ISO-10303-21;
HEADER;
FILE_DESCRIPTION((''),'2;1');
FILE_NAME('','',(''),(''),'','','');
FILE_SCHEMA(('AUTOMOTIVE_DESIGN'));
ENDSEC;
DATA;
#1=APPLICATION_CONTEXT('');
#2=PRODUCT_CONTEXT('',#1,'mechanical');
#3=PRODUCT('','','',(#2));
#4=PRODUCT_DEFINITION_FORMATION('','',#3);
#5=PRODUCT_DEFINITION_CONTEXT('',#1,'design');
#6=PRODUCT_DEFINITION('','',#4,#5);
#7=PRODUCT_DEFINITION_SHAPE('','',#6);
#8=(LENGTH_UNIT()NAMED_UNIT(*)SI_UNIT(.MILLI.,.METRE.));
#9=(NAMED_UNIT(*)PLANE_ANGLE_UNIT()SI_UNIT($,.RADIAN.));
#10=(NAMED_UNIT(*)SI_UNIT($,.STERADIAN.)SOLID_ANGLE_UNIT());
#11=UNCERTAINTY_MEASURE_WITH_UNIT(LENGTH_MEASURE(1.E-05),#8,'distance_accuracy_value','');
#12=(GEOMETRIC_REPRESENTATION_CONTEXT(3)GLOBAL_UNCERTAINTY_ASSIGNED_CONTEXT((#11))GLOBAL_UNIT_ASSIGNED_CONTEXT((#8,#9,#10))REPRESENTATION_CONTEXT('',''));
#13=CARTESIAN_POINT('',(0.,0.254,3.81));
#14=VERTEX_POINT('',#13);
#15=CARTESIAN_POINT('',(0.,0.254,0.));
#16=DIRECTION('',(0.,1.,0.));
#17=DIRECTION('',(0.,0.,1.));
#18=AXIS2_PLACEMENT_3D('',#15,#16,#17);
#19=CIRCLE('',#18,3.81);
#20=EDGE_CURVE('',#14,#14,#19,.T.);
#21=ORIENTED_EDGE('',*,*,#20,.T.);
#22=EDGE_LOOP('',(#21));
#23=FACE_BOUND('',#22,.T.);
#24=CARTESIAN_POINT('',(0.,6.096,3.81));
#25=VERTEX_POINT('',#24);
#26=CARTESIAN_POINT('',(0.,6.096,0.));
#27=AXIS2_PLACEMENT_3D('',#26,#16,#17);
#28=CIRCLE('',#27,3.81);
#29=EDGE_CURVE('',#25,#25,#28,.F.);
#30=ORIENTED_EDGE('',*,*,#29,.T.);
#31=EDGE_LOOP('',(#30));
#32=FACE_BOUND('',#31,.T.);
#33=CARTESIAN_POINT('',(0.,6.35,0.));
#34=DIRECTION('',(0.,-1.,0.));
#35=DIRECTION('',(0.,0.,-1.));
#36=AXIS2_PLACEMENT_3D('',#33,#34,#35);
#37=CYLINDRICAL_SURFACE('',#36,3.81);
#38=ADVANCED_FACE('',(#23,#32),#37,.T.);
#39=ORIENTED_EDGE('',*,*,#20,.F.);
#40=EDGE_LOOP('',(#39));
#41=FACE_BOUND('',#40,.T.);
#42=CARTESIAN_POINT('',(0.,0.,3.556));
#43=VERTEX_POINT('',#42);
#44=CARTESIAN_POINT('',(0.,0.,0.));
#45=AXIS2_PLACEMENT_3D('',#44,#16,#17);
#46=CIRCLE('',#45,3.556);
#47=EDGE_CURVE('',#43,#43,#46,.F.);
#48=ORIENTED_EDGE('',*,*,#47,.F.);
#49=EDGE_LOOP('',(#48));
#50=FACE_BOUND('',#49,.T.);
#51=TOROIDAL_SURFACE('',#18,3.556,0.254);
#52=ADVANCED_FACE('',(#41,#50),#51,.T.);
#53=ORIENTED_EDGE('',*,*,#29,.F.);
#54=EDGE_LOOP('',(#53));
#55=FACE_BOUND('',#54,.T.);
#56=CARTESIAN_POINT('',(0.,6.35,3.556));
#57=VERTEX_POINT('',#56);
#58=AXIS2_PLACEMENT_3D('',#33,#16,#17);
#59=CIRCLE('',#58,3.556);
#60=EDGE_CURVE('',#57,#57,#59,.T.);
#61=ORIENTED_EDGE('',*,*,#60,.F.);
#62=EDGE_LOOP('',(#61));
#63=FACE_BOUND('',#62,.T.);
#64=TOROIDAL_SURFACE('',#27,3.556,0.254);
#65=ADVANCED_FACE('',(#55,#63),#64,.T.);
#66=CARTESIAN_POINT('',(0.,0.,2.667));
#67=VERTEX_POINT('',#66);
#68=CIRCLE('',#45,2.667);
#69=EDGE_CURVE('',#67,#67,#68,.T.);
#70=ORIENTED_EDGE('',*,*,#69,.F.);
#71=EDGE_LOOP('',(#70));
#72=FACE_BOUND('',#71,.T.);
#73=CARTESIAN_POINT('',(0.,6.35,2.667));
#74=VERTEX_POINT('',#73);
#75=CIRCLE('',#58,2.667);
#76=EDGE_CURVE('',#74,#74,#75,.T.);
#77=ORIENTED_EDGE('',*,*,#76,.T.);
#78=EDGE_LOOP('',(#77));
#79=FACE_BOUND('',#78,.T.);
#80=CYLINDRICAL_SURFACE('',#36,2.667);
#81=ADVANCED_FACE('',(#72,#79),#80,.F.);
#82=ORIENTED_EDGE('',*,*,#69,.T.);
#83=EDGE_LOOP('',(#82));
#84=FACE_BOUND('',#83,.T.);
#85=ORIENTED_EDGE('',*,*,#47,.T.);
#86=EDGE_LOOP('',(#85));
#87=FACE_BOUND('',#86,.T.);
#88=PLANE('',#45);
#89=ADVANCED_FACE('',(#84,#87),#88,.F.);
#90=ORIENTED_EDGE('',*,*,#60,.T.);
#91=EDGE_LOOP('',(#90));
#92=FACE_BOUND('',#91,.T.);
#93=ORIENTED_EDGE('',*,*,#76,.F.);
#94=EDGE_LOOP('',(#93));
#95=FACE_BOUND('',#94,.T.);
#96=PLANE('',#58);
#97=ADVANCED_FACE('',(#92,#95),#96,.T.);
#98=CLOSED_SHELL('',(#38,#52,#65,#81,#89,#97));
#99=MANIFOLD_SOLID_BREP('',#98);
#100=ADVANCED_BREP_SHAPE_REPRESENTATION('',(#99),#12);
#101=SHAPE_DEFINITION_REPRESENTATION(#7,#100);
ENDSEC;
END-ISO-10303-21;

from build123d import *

# Parameters (mm, degrees)
SKETCH1_R           = 3.81
SKETCH1_R_2         = 2.667
BOSS_EXTRUDE1_DEPTH = 6.35
FILLET1_R           = 0.254


with BuildPart() as part:
    # Sketch1 → Boss-Extrude1 (new body)
    with BuildSketch(Plane(origin=(0, 0, 0), x_dir=(1, 0, 0), z_dir=(0, 1, 0))):
        with Locations(Location((0, 0, 0), (0, 0, 270))):
            Circle(SKETCH1_R)
        with Locations(Location((0, 0, 0), (0, 0, 270))):
            Circle(SKETCH1_R_2, mode=Mode.SUBTRACT)
    extrude(amount=BOSS_EXTRUDE1_DEPTH)

    # Fillet1
    fillet1_edges = [part.edges().sort_by_distance(p)[0] for p in [
        (0, 0, -3.81),
        (0, 6.35, -3.81),
    ]]
    fillet(fillet1_edges, radius=FILLET1_R)


solid = part.part
